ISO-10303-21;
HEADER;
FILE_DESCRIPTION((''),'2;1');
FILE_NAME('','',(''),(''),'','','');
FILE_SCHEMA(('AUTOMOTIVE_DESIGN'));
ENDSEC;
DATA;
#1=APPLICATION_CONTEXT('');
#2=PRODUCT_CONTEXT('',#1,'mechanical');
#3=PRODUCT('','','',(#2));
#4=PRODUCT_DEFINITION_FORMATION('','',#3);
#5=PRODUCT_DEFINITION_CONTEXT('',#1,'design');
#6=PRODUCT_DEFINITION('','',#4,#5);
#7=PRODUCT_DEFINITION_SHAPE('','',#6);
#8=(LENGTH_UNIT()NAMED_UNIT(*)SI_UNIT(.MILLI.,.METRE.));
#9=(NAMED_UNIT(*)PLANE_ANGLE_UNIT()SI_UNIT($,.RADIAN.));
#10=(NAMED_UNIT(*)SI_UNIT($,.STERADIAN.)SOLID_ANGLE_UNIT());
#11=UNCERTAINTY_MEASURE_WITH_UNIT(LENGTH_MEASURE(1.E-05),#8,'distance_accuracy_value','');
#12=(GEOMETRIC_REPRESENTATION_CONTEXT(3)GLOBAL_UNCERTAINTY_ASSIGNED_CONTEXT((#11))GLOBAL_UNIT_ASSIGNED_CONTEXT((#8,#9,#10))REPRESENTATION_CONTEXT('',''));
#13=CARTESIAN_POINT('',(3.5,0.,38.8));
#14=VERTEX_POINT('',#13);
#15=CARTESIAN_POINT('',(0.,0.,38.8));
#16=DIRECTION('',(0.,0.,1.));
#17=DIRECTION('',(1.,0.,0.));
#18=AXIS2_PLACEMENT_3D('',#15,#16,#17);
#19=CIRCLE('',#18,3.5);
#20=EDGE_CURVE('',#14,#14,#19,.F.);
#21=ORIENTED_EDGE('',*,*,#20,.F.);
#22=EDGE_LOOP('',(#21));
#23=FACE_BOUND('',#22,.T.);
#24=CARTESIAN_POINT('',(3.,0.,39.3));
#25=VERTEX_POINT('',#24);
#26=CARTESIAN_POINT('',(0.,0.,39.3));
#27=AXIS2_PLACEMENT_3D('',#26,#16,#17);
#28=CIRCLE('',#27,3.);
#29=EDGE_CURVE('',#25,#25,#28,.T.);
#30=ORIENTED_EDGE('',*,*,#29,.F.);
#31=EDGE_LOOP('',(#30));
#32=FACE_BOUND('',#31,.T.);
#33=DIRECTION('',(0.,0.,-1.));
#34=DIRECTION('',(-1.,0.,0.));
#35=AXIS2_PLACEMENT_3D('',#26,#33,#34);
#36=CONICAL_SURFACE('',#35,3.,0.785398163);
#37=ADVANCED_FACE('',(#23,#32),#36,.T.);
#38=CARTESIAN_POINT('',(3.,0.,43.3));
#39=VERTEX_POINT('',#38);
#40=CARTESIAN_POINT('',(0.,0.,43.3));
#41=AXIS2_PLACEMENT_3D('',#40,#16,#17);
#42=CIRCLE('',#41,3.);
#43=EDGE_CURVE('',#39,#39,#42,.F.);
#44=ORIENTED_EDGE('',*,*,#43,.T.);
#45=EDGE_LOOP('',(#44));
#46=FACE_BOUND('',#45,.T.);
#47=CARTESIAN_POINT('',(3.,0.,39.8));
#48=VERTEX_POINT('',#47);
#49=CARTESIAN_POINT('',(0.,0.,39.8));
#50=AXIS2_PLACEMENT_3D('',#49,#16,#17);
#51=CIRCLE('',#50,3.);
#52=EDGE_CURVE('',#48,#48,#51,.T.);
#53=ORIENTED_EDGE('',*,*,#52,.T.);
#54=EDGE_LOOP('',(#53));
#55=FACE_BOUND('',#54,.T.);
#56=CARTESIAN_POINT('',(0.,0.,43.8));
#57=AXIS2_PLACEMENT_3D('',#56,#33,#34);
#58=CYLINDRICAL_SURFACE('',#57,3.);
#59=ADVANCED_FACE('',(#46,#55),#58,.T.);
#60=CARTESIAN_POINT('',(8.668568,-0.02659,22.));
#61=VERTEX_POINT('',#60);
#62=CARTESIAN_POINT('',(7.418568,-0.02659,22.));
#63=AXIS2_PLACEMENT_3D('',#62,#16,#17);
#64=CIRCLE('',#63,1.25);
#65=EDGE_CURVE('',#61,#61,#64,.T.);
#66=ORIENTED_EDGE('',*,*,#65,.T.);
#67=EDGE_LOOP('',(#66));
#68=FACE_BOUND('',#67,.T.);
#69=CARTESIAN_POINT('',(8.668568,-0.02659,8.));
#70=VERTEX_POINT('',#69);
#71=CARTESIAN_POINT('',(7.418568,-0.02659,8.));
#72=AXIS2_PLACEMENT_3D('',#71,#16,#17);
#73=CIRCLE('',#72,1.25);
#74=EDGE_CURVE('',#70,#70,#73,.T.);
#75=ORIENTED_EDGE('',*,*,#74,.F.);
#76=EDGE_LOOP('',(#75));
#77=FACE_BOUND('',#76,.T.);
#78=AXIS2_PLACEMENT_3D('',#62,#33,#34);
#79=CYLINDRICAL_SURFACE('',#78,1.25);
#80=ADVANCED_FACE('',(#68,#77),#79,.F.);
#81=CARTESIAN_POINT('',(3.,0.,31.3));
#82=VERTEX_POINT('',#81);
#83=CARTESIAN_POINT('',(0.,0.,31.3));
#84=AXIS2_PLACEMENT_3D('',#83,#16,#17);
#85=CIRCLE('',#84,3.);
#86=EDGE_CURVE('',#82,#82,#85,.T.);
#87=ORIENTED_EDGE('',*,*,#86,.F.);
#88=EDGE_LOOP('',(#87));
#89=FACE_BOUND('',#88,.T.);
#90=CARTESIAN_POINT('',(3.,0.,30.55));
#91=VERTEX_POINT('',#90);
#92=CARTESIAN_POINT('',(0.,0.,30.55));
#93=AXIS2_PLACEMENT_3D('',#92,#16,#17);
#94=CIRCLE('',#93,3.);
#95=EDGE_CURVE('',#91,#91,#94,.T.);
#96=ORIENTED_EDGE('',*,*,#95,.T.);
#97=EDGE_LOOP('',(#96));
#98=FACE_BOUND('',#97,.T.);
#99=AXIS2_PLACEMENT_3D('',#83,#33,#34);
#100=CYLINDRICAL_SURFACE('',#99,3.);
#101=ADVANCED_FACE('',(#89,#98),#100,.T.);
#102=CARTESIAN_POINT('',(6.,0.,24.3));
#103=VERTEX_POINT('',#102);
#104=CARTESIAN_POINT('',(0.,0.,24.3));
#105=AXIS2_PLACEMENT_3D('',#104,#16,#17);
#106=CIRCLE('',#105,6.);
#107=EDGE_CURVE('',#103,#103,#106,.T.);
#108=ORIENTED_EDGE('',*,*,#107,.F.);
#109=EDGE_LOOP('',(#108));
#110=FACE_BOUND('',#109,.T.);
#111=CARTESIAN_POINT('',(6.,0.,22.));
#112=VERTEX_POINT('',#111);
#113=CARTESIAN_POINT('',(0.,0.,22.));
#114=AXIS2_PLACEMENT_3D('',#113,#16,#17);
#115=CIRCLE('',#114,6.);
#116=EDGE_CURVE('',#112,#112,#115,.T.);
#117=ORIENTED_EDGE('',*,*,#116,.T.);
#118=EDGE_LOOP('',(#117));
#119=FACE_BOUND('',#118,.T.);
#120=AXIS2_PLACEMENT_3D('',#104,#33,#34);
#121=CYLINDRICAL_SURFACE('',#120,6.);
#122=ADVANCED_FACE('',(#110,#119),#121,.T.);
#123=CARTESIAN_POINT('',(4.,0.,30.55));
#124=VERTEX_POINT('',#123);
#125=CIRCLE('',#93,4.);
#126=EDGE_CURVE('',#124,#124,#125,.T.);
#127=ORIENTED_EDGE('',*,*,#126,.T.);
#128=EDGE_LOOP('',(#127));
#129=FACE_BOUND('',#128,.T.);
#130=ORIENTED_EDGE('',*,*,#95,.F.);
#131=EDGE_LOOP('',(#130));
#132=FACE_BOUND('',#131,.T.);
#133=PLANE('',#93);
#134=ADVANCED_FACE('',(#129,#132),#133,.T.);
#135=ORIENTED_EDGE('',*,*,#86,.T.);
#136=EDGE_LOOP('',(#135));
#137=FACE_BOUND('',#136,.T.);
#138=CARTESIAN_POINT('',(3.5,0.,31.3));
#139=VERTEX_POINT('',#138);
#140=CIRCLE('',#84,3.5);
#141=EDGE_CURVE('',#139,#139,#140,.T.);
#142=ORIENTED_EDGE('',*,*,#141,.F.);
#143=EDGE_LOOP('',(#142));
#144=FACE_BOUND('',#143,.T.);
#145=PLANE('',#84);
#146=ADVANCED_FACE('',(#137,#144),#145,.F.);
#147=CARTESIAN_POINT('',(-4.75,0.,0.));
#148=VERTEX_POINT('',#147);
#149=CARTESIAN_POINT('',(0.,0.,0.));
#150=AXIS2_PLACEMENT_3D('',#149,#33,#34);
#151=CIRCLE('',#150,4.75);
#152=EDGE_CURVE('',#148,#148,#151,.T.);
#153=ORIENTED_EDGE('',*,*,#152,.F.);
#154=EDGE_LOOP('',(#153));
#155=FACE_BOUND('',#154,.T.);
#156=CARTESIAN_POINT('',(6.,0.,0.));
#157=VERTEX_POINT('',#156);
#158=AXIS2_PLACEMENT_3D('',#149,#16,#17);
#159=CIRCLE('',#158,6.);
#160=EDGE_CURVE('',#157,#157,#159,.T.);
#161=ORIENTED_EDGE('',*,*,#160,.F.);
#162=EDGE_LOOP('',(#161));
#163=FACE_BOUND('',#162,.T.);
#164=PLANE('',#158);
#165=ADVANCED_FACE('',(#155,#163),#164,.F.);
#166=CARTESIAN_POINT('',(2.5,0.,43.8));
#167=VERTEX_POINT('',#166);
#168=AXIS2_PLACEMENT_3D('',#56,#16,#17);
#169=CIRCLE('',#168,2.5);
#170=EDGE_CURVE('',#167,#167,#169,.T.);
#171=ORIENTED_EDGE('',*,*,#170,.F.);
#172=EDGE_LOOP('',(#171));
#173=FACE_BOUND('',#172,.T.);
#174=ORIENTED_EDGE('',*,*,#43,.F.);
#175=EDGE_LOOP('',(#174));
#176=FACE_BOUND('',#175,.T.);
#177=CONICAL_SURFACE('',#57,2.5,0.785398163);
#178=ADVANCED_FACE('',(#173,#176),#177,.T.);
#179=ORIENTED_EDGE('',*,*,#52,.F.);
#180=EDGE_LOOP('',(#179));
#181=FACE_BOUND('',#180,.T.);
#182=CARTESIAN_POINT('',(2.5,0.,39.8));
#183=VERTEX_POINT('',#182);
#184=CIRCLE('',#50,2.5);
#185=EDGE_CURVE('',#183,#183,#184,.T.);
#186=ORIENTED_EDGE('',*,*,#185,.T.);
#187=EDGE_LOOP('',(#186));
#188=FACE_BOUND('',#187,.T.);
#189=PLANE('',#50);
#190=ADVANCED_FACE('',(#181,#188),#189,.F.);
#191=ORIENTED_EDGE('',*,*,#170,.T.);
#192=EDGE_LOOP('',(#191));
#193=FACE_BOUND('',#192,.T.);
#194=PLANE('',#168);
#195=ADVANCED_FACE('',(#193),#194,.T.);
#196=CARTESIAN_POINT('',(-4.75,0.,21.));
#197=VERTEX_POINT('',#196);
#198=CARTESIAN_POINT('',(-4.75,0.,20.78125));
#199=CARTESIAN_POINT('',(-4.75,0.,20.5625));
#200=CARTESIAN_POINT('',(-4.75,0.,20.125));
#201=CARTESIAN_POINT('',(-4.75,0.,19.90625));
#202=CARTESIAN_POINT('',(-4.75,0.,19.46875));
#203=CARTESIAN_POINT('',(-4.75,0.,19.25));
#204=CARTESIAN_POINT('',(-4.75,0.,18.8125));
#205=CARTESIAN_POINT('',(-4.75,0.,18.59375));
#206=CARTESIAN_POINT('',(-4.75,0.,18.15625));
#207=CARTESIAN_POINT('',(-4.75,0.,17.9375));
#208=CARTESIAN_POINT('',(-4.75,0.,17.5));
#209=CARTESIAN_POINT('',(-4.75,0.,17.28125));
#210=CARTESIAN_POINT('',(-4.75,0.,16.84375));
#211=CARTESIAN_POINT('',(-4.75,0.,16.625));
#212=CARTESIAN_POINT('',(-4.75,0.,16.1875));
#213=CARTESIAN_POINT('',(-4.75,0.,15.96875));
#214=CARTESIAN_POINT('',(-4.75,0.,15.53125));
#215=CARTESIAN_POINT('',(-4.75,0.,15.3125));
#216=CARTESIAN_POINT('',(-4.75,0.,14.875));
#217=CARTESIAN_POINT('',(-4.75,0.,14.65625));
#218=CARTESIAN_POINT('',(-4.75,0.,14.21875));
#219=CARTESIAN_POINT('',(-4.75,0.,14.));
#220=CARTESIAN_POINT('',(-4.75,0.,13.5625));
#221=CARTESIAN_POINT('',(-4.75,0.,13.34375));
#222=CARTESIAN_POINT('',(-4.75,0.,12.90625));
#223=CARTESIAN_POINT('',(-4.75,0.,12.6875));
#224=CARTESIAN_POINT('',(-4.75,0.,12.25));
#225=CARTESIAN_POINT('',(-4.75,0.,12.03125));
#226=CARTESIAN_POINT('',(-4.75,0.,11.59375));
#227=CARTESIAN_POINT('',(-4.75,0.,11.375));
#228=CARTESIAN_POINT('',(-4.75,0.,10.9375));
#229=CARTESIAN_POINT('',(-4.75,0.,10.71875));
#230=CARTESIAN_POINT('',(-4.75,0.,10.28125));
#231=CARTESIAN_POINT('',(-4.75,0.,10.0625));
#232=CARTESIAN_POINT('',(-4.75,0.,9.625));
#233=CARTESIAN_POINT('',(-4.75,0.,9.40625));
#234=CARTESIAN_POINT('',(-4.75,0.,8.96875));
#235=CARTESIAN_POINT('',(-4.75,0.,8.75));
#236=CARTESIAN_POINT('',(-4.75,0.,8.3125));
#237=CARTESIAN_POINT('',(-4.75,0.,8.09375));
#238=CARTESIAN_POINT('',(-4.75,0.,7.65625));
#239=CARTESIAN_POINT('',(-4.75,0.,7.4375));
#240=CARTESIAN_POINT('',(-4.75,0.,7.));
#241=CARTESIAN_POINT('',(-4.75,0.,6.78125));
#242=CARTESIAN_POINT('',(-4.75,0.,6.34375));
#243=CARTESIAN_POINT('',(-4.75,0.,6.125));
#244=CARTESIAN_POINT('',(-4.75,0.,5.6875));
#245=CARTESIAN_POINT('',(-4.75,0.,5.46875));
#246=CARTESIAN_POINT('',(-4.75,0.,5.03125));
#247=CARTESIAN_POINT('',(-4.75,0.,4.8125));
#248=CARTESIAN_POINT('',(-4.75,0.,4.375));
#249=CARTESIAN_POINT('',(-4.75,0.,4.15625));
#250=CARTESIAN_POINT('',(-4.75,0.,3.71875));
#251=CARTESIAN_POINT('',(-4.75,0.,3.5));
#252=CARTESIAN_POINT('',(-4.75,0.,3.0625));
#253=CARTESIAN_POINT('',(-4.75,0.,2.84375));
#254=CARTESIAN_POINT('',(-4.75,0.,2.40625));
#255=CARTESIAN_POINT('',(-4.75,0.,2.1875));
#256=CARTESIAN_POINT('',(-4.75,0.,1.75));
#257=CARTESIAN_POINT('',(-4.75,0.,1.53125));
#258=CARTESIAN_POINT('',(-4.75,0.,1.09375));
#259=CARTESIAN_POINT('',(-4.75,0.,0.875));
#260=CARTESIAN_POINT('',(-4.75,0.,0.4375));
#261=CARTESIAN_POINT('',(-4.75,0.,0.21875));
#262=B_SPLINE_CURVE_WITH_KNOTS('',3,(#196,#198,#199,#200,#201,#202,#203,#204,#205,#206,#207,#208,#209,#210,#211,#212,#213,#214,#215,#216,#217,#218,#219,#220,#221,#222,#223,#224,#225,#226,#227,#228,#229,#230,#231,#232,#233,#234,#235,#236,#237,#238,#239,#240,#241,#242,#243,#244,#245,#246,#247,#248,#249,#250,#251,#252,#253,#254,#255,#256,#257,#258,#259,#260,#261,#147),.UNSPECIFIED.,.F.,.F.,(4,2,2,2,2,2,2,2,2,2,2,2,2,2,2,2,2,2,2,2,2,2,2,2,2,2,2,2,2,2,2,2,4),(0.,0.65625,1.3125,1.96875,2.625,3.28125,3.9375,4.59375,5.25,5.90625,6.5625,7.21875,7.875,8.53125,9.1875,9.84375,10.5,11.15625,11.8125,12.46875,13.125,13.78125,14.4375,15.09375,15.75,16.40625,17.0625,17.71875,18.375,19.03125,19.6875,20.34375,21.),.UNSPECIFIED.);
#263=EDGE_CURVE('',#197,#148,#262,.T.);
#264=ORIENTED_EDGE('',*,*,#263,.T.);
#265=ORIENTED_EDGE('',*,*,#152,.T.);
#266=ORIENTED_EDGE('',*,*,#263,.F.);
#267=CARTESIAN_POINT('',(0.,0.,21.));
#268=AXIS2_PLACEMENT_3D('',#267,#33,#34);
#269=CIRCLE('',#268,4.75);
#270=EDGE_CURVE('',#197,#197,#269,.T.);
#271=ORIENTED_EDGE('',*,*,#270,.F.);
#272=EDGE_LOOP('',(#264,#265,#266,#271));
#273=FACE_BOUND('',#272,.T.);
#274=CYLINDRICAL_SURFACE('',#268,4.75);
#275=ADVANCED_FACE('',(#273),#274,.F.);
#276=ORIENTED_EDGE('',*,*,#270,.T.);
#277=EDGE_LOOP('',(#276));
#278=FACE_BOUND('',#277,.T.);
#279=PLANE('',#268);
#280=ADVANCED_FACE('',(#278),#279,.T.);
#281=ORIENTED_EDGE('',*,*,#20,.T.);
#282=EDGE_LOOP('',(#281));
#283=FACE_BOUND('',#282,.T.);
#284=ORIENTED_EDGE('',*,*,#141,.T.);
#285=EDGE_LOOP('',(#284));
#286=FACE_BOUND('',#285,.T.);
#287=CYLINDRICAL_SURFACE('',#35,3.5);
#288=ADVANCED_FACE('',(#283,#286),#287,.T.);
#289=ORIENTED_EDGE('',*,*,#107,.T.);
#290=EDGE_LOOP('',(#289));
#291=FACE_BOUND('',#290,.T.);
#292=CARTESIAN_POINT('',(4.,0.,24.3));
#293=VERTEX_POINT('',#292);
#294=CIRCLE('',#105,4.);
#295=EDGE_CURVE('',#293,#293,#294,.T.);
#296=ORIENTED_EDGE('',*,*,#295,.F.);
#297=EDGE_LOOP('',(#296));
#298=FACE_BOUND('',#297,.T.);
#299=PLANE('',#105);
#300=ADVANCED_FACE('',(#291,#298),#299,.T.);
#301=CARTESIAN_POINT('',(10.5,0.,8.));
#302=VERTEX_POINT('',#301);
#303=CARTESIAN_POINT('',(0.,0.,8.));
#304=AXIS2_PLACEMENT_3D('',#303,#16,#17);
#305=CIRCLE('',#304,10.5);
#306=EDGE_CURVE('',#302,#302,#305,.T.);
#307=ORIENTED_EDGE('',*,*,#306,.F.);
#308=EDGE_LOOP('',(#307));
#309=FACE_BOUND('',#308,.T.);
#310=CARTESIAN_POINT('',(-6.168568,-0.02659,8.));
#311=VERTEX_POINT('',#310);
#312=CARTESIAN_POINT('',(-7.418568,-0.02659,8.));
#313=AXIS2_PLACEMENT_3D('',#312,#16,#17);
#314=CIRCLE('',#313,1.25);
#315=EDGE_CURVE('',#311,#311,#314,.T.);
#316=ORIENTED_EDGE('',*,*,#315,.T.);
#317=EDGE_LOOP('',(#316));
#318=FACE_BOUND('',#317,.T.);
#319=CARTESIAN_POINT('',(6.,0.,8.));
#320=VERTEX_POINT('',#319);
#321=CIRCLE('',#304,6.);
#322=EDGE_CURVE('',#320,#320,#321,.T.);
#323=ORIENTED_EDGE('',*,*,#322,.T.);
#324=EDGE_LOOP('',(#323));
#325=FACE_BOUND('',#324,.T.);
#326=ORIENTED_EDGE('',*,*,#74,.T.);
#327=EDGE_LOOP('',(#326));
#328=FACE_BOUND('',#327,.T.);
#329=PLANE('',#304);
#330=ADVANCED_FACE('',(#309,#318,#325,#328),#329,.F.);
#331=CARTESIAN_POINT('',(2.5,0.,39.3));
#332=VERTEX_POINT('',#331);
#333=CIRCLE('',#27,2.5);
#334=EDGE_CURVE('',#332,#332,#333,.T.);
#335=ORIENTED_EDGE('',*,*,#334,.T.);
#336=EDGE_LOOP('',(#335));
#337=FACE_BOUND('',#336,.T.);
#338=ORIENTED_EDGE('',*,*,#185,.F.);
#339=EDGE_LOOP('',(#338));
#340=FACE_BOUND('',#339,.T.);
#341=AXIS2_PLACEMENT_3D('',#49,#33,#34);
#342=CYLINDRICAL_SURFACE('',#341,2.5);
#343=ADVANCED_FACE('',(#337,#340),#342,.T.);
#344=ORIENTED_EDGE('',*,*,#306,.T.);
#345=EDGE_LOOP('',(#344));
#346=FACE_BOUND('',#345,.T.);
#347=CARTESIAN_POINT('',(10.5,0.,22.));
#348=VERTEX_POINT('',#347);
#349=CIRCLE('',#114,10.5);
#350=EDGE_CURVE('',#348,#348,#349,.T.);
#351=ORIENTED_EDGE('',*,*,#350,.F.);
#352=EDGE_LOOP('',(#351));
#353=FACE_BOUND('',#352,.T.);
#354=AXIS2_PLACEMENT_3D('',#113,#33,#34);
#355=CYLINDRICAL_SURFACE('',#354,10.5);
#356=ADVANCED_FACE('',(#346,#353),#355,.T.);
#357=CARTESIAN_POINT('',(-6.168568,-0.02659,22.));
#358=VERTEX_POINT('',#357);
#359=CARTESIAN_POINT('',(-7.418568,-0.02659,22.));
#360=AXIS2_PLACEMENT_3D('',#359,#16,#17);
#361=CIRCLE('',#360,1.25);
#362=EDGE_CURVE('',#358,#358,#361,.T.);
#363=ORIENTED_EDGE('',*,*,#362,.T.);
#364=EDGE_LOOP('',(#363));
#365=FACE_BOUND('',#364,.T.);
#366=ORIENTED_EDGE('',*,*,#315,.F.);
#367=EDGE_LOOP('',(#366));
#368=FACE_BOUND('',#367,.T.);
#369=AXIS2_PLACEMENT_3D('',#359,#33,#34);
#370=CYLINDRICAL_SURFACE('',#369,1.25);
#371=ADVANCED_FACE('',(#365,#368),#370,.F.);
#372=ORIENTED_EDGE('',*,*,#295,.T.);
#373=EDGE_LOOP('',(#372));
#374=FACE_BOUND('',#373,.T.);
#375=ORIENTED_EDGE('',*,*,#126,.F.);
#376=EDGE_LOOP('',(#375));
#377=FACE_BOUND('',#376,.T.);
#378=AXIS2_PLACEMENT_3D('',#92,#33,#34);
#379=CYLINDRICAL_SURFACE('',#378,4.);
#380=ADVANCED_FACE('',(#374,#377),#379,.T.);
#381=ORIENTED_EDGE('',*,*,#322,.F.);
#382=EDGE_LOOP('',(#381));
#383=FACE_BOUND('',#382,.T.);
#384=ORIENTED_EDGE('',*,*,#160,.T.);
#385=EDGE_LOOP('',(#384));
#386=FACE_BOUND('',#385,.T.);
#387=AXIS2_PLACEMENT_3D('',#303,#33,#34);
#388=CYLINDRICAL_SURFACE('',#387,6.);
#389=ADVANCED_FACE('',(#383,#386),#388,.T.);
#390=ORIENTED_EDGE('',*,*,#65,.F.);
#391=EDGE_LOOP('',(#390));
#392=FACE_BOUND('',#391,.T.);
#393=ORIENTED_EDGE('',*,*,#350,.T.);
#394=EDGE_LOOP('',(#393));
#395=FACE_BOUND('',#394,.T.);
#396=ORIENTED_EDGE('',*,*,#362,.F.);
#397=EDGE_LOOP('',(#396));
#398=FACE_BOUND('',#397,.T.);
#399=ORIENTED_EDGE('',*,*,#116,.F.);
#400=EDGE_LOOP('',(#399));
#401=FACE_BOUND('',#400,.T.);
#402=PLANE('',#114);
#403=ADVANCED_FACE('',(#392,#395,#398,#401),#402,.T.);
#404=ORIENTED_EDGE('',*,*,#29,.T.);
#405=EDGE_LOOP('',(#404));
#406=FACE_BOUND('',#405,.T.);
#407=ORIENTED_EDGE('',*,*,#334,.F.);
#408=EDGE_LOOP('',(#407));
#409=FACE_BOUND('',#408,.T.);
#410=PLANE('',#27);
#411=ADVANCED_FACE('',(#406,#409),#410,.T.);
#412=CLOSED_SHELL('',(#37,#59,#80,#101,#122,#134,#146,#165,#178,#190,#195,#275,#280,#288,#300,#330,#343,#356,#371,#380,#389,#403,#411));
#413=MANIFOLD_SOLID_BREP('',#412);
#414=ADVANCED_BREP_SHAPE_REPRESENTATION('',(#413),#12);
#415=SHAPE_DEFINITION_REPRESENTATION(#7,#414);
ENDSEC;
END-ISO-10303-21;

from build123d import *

# Parameters (mm, degrees)
ESQUISSE1_R             = 6
BOSS_EXTRU_1_DEPTH      = 8
ESQUISSE2_R             = 10.5
ESQUISSE2_R_2           = 1.25
BOSS_EXTRU_2_DEPTH      = 14
ESQUISSE3_R             = 6
BOSS_EXTRU_3_DEPTH      = 2.3
ESQUISSE4_R             = 4
BOSS_EXTRU_4_DEPTH      = 6.25
ESQUISSE5_R             = 3
BOSS_EXTRU_5_DEPTH      = 0.75
ESQUISSE7_R             = 3.5
BOSS_EXTRU_6_DEPTH      = 8
ESQUISSE8_R             = 2.5
BOSS_EXTRU_7_DEPTH      = 0.5
ESQUISSE9_R             = 3
BOSS_EXTRU_8_DEPTH      = 4
ESQUISSE10_R            = 4.75
ENL_V_MAT_EXTRU_1_DEPTH = 21
CHANFREIN1_SIZE         = 0.5
CHANFREIN2_SIZE         = 0.5


with BuildPart() as part:
    # Esquisse1 → Boss.-Extru.1 (new body)
    with BuildSketch(Plane.XY):
        Circle(ESQUISSE1_R)
    extrude(amount=BOSS_EXTRU_1_DEPTH)

    # Esquisse2 → Boss.-Extru.2 (add)
    with BuildSketch(Plane.XY.offset(8)):
        Circle(ESQUISSE2_R)
        with Locations((-7.418567839, -0.026589849)):
            Circle(ESQUISSE2_R_2, mode=Mode.SUBTRACT)
        with Locations((7.418567839, -0.026589849)):
            Circle(ESQUISSE2_R_2, mode=Mode.SUBTRACT)
    extrude(amount=BOSS_EXTRU_2_DEPTH)

    # Esquisse3 → Boss.-Extru.3 (add)
    with BuildSketch(Plane.XY.offset(22)):
        Circle(ESQUISSE3_R)
    extrude(amount=BOSS_EXTRU_3_DEPTH)

    # Esquisse4 → Boss.-Extru.4 (add)
    with BuildSketch(Plane.XY.offset(24.3)):
        Circle(ESQUISSE4_R)
    extrude(amount=BOSS_EXTRU_4_DEPTH)

    # Esquisse5 → Boss.-Extru.5 (add)
    with BuildSketch(Plane.XY.offset(30.55)):
        Circle(ESQUISSE5_R)
    extrude(amount=BOSS_EXTRU_5_DEPTH)

    # Esquisse7 → Boss.-Extru.6 (add)
    with BuildSketch(Plane.XY.offset(31.3)):
        Circle(ESQUISSE7_R)
    extrude(amount=BOSS_EXTRU_6_DEPTH)

    # Esquisse8 → Boss.-Extru.7 (add)
    with BuildSketch(Plane.XY.offset(39.3)):
        Circle(ESQUISSE8_R)
    extrude(amount=BOSS_EXTRU_7_DEPTH)

    # Esquisse9 → Boss.-Extru.8 (add)
    with BuildSketch(Plane.XY.offset(39.8)):
        Circle(ESQUISSE9_R)
    extrude(amount=BOSS_EXTRU_8_DEPTH)

    # Esquisse10 → Enlèv. mat.-Extru.1 (cut)
    with BuildSketch(Plane(origin=(0, 0, 0), x_dir=(-1, 0, 0), z_dir=(0, 0, -1))):
        Circle(ESQUISSE10_R)
    extrude(amount=-ENL_V_MAT_EXTRU_1_DEPTH, mode=Mode.SUBTRACT)

    # Chanfrein1
    chanfrein1_edges = [part.edges().sort_by_distance(p)[0] for p in [
        (-3.5, 0, 39.3),
    ]]
    chamfer(chanfrein1_edges, length=CHANFREIN1_SIZE)

    # Chanfrein2
    chanfrein2_edges = [part.edges().sort_by_distance(p)[0] for p in [
        (-3, 0, 43.8),
    ]]
    chamfer(chanfrein2_edges, length=CHANFREIN2_SIZE)


solid = part.part
